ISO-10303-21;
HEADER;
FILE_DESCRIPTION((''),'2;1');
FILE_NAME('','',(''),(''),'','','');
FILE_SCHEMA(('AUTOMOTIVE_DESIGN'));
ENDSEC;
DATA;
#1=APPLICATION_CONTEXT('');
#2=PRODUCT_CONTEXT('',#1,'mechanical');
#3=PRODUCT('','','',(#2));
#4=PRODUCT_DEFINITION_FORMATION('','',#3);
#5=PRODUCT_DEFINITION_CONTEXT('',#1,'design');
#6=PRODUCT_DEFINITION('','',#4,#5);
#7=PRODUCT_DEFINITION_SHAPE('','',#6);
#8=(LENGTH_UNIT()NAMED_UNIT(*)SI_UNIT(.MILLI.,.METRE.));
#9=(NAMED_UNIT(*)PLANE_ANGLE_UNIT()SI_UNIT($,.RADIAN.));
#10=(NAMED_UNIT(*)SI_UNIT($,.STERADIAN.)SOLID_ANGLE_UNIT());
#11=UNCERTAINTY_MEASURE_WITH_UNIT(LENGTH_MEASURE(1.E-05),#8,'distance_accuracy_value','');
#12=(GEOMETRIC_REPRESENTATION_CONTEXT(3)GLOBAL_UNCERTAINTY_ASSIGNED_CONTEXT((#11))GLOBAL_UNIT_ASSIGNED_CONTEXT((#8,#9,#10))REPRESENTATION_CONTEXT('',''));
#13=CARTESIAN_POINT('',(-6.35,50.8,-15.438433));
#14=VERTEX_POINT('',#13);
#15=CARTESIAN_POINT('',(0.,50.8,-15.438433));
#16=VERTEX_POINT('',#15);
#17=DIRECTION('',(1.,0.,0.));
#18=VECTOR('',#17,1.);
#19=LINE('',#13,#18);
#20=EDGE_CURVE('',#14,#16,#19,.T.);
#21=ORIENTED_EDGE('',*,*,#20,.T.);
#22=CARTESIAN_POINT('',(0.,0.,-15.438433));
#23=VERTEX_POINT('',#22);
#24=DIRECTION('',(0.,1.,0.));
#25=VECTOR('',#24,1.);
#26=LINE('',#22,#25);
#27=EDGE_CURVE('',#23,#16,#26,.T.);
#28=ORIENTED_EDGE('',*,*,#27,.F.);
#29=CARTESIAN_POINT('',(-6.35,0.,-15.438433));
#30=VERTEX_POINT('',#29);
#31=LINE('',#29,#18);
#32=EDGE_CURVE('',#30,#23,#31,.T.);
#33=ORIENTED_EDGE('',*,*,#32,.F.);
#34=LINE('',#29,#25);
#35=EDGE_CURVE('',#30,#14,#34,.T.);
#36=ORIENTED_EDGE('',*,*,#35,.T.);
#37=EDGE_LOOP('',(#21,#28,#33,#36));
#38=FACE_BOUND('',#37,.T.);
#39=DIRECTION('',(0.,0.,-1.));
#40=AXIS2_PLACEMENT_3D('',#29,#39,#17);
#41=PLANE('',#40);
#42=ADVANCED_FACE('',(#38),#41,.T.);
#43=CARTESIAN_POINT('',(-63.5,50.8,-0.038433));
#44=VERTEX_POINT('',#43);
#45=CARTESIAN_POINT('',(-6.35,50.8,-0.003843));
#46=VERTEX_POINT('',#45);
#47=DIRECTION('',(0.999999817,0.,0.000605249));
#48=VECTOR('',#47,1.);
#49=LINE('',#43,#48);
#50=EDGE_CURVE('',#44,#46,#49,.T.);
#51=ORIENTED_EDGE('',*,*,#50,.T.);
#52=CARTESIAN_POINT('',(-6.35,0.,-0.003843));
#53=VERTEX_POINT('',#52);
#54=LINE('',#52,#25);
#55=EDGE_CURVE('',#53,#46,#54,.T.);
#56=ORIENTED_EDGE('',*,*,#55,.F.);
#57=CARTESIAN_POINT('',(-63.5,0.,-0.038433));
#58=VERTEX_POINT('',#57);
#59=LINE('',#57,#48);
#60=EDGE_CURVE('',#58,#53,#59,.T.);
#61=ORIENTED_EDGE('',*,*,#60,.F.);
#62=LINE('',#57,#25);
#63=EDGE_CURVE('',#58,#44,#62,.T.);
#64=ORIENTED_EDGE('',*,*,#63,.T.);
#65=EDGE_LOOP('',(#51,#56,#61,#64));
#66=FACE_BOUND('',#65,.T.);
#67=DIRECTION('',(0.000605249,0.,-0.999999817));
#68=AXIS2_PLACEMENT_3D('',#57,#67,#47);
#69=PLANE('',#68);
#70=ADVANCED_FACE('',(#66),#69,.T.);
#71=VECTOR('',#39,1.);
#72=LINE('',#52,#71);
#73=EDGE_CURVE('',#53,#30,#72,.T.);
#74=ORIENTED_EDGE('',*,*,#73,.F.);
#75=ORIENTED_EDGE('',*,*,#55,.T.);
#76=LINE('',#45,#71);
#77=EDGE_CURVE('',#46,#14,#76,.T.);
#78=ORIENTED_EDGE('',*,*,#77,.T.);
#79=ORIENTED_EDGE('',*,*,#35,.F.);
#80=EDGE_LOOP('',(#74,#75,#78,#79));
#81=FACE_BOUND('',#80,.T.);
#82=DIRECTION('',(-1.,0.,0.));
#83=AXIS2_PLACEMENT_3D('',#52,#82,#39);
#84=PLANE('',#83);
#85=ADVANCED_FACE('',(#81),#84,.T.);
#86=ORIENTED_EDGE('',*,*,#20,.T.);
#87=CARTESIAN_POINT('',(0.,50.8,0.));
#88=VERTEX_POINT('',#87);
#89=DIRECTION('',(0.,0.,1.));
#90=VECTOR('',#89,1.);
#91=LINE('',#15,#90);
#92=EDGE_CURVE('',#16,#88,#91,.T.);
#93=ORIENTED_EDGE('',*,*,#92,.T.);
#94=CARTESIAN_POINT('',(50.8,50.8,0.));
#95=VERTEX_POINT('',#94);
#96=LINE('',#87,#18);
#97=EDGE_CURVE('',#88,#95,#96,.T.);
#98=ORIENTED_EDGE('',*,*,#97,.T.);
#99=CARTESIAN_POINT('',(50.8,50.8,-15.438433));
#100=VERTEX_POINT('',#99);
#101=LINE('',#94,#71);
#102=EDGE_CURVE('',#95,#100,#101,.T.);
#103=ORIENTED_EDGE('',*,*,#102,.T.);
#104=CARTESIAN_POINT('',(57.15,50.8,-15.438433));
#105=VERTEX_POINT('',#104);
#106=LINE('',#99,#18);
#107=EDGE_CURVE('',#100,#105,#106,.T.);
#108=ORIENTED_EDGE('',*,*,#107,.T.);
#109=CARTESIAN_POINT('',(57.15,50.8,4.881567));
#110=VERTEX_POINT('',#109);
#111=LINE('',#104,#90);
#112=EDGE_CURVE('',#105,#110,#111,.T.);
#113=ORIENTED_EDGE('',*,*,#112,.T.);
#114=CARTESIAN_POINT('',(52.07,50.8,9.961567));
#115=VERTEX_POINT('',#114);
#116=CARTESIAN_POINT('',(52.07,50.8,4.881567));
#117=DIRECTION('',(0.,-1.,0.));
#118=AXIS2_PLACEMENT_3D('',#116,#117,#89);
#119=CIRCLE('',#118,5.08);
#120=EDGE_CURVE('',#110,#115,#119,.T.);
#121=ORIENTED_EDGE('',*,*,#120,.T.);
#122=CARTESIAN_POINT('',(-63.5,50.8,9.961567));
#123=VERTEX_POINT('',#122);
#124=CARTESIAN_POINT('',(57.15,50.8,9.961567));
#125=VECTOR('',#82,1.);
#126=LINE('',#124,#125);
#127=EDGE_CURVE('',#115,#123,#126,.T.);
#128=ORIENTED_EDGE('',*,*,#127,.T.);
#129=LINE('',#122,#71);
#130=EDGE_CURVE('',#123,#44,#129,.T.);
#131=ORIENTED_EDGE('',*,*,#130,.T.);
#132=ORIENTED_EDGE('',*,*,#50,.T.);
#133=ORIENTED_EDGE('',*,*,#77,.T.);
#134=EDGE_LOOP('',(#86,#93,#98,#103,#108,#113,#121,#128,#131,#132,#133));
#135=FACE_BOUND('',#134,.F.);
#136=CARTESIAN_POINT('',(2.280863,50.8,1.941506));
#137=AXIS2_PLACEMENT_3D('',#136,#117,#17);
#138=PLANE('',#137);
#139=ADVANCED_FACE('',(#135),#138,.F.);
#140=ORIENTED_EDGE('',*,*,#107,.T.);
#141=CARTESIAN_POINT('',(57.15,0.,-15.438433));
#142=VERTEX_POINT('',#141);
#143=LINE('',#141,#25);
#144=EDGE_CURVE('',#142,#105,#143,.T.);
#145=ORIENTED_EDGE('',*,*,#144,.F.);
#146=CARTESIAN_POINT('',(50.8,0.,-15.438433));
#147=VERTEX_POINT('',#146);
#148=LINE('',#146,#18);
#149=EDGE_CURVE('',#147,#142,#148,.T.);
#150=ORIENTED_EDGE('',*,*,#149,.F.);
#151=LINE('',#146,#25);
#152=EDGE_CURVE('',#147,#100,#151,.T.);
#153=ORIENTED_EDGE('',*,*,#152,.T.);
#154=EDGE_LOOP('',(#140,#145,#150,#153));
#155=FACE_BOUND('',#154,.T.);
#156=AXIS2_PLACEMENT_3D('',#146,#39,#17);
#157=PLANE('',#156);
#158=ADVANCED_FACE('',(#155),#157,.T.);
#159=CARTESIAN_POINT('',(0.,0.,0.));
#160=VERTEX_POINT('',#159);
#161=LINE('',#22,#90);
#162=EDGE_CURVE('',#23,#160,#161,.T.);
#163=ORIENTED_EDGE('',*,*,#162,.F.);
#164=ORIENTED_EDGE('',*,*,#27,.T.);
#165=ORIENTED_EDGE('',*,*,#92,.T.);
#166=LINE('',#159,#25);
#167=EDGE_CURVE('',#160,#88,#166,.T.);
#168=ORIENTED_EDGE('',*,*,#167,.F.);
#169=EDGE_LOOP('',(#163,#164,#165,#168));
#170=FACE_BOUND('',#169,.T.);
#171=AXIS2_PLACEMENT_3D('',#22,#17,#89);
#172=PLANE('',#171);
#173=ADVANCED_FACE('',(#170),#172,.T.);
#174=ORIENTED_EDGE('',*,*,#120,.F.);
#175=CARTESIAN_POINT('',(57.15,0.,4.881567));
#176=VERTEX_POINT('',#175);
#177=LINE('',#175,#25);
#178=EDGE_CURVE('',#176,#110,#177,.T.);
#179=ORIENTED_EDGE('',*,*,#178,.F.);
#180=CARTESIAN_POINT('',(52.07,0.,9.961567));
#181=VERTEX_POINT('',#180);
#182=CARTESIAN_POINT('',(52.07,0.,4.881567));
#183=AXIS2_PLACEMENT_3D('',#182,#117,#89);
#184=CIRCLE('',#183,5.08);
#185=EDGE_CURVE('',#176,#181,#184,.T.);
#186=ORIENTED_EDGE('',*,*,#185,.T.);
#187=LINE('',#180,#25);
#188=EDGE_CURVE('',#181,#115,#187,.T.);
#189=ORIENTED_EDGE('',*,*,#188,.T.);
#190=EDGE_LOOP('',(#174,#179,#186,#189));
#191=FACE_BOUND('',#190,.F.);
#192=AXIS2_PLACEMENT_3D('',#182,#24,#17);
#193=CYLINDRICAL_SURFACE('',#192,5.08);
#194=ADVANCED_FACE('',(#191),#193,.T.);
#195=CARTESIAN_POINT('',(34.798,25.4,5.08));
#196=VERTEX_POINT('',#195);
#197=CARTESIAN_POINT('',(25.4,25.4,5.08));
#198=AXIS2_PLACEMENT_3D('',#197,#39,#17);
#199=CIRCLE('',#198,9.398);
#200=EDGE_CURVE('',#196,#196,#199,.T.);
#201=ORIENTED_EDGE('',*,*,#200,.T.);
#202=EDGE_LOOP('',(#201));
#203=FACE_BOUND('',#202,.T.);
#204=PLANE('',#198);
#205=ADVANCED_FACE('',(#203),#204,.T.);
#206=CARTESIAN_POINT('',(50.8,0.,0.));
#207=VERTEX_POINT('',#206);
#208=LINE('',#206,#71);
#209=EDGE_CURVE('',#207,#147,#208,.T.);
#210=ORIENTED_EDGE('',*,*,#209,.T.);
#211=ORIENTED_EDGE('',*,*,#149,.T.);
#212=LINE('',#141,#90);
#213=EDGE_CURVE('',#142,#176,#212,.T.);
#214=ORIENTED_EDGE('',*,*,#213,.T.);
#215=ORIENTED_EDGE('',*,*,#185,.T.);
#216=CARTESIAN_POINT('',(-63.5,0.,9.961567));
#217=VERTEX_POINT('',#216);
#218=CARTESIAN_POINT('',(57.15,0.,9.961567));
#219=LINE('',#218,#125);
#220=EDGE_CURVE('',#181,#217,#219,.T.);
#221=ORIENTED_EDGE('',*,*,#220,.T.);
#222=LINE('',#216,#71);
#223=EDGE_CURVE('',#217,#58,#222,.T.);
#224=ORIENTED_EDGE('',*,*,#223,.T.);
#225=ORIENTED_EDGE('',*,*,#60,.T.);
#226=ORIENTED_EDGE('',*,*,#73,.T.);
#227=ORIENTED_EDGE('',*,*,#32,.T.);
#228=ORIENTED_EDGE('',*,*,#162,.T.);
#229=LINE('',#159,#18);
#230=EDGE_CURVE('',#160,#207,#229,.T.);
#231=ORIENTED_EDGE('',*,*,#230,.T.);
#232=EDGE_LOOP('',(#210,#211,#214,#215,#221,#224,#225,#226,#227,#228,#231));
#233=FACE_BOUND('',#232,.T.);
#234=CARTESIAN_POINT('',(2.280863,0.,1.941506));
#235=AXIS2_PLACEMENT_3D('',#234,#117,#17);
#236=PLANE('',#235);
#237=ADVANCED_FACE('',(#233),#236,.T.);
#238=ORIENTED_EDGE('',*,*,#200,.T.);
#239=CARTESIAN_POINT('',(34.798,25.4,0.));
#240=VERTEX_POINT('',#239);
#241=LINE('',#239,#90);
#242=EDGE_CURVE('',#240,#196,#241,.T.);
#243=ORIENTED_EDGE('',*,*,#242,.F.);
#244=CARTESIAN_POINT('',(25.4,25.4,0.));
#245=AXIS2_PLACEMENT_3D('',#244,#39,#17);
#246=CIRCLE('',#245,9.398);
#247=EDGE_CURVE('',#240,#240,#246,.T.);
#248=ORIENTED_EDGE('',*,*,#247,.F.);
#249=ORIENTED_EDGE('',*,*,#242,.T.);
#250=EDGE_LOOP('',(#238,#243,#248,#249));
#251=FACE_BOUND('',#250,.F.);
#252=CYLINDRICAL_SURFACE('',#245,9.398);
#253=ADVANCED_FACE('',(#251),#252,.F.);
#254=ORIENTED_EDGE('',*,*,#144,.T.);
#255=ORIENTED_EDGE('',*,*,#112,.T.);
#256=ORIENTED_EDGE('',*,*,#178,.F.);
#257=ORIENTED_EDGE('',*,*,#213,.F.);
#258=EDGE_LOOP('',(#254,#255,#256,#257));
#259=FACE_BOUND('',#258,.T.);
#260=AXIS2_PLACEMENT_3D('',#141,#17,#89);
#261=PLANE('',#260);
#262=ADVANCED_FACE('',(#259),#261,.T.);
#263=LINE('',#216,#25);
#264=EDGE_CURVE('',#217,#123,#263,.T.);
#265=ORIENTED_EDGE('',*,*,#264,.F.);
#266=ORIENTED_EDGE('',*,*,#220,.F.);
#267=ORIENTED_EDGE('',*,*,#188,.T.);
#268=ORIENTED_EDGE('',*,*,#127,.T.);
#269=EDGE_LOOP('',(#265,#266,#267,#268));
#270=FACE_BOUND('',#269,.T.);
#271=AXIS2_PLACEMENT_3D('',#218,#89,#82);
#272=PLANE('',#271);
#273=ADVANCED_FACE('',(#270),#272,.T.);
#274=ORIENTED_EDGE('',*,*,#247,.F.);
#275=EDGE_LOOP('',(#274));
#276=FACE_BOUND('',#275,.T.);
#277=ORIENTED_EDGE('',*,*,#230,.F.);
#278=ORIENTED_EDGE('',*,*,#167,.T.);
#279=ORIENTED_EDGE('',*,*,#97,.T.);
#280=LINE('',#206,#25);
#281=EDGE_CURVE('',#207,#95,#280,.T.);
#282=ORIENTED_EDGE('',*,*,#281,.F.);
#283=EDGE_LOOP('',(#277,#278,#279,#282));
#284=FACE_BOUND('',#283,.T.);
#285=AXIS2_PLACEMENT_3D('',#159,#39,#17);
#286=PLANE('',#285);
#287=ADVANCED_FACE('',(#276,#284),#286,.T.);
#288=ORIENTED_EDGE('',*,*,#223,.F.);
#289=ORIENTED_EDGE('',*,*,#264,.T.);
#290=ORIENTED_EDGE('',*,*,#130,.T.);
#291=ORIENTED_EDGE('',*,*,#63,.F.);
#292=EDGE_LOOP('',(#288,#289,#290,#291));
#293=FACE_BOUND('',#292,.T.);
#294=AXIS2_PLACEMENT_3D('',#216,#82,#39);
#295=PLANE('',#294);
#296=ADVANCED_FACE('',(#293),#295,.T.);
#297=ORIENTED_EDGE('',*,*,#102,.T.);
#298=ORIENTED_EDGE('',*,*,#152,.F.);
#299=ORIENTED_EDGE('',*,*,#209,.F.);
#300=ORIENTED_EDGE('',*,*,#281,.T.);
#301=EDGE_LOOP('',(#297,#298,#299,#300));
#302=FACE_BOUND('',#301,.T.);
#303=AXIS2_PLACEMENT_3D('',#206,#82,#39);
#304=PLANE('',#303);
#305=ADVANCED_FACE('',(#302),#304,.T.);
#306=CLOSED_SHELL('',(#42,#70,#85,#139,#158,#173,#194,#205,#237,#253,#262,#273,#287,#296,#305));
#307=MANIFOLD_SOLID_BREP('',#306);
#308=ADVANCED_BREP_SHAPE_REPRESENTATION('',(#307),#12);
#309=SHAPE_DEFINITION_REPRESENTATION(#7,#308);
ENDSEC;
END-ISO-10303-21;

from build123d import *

# Parameters (mm, degrees)
F1_DEPTH = 50.8
F2_R     = 5.08
F3_R     = 9.398
F4_DEPTH = 5.08


with BuildPart() as f1:
    # F0 (on Front) → F1 (new body)
    with BuildSketch(Plane.XZ):
        Polygon((0, -15.438433), (0, 0), (50.8, 0), (50.8, -15.438433), (57.15, -15.438433), (57.15, 9.961567), (50.8, 9.961567), (0, 9.961567), (-6.35, 9.961567), (-63.5, 9.961567), (-63.5, -0.038433), (-6.35, -0.003843), (-6.35, -15.438433), align=None)
    extrude(amount=-F1_DEPTH)

    # F2
    f2_edges = [f1.edges().sort_by_distance(p)[0] for p in [
        (57.15, 25.4, 9.961567),
    ]]
    fillet(f2_edges, radius=F2_R)

    # F3 (on face) → F4 (cut)
    with BuildSketch(Plane(origin=(0, 0, 0), x_dir=(1, 0, 0), z_dir=(0, 0, -1))):
        with Locations((25.4, -25.4)):
            Circle(F3_R)
    extrude(amount=-F4_DEPTH, mode=Mode.SUBTRACT)


solid = f1.part
